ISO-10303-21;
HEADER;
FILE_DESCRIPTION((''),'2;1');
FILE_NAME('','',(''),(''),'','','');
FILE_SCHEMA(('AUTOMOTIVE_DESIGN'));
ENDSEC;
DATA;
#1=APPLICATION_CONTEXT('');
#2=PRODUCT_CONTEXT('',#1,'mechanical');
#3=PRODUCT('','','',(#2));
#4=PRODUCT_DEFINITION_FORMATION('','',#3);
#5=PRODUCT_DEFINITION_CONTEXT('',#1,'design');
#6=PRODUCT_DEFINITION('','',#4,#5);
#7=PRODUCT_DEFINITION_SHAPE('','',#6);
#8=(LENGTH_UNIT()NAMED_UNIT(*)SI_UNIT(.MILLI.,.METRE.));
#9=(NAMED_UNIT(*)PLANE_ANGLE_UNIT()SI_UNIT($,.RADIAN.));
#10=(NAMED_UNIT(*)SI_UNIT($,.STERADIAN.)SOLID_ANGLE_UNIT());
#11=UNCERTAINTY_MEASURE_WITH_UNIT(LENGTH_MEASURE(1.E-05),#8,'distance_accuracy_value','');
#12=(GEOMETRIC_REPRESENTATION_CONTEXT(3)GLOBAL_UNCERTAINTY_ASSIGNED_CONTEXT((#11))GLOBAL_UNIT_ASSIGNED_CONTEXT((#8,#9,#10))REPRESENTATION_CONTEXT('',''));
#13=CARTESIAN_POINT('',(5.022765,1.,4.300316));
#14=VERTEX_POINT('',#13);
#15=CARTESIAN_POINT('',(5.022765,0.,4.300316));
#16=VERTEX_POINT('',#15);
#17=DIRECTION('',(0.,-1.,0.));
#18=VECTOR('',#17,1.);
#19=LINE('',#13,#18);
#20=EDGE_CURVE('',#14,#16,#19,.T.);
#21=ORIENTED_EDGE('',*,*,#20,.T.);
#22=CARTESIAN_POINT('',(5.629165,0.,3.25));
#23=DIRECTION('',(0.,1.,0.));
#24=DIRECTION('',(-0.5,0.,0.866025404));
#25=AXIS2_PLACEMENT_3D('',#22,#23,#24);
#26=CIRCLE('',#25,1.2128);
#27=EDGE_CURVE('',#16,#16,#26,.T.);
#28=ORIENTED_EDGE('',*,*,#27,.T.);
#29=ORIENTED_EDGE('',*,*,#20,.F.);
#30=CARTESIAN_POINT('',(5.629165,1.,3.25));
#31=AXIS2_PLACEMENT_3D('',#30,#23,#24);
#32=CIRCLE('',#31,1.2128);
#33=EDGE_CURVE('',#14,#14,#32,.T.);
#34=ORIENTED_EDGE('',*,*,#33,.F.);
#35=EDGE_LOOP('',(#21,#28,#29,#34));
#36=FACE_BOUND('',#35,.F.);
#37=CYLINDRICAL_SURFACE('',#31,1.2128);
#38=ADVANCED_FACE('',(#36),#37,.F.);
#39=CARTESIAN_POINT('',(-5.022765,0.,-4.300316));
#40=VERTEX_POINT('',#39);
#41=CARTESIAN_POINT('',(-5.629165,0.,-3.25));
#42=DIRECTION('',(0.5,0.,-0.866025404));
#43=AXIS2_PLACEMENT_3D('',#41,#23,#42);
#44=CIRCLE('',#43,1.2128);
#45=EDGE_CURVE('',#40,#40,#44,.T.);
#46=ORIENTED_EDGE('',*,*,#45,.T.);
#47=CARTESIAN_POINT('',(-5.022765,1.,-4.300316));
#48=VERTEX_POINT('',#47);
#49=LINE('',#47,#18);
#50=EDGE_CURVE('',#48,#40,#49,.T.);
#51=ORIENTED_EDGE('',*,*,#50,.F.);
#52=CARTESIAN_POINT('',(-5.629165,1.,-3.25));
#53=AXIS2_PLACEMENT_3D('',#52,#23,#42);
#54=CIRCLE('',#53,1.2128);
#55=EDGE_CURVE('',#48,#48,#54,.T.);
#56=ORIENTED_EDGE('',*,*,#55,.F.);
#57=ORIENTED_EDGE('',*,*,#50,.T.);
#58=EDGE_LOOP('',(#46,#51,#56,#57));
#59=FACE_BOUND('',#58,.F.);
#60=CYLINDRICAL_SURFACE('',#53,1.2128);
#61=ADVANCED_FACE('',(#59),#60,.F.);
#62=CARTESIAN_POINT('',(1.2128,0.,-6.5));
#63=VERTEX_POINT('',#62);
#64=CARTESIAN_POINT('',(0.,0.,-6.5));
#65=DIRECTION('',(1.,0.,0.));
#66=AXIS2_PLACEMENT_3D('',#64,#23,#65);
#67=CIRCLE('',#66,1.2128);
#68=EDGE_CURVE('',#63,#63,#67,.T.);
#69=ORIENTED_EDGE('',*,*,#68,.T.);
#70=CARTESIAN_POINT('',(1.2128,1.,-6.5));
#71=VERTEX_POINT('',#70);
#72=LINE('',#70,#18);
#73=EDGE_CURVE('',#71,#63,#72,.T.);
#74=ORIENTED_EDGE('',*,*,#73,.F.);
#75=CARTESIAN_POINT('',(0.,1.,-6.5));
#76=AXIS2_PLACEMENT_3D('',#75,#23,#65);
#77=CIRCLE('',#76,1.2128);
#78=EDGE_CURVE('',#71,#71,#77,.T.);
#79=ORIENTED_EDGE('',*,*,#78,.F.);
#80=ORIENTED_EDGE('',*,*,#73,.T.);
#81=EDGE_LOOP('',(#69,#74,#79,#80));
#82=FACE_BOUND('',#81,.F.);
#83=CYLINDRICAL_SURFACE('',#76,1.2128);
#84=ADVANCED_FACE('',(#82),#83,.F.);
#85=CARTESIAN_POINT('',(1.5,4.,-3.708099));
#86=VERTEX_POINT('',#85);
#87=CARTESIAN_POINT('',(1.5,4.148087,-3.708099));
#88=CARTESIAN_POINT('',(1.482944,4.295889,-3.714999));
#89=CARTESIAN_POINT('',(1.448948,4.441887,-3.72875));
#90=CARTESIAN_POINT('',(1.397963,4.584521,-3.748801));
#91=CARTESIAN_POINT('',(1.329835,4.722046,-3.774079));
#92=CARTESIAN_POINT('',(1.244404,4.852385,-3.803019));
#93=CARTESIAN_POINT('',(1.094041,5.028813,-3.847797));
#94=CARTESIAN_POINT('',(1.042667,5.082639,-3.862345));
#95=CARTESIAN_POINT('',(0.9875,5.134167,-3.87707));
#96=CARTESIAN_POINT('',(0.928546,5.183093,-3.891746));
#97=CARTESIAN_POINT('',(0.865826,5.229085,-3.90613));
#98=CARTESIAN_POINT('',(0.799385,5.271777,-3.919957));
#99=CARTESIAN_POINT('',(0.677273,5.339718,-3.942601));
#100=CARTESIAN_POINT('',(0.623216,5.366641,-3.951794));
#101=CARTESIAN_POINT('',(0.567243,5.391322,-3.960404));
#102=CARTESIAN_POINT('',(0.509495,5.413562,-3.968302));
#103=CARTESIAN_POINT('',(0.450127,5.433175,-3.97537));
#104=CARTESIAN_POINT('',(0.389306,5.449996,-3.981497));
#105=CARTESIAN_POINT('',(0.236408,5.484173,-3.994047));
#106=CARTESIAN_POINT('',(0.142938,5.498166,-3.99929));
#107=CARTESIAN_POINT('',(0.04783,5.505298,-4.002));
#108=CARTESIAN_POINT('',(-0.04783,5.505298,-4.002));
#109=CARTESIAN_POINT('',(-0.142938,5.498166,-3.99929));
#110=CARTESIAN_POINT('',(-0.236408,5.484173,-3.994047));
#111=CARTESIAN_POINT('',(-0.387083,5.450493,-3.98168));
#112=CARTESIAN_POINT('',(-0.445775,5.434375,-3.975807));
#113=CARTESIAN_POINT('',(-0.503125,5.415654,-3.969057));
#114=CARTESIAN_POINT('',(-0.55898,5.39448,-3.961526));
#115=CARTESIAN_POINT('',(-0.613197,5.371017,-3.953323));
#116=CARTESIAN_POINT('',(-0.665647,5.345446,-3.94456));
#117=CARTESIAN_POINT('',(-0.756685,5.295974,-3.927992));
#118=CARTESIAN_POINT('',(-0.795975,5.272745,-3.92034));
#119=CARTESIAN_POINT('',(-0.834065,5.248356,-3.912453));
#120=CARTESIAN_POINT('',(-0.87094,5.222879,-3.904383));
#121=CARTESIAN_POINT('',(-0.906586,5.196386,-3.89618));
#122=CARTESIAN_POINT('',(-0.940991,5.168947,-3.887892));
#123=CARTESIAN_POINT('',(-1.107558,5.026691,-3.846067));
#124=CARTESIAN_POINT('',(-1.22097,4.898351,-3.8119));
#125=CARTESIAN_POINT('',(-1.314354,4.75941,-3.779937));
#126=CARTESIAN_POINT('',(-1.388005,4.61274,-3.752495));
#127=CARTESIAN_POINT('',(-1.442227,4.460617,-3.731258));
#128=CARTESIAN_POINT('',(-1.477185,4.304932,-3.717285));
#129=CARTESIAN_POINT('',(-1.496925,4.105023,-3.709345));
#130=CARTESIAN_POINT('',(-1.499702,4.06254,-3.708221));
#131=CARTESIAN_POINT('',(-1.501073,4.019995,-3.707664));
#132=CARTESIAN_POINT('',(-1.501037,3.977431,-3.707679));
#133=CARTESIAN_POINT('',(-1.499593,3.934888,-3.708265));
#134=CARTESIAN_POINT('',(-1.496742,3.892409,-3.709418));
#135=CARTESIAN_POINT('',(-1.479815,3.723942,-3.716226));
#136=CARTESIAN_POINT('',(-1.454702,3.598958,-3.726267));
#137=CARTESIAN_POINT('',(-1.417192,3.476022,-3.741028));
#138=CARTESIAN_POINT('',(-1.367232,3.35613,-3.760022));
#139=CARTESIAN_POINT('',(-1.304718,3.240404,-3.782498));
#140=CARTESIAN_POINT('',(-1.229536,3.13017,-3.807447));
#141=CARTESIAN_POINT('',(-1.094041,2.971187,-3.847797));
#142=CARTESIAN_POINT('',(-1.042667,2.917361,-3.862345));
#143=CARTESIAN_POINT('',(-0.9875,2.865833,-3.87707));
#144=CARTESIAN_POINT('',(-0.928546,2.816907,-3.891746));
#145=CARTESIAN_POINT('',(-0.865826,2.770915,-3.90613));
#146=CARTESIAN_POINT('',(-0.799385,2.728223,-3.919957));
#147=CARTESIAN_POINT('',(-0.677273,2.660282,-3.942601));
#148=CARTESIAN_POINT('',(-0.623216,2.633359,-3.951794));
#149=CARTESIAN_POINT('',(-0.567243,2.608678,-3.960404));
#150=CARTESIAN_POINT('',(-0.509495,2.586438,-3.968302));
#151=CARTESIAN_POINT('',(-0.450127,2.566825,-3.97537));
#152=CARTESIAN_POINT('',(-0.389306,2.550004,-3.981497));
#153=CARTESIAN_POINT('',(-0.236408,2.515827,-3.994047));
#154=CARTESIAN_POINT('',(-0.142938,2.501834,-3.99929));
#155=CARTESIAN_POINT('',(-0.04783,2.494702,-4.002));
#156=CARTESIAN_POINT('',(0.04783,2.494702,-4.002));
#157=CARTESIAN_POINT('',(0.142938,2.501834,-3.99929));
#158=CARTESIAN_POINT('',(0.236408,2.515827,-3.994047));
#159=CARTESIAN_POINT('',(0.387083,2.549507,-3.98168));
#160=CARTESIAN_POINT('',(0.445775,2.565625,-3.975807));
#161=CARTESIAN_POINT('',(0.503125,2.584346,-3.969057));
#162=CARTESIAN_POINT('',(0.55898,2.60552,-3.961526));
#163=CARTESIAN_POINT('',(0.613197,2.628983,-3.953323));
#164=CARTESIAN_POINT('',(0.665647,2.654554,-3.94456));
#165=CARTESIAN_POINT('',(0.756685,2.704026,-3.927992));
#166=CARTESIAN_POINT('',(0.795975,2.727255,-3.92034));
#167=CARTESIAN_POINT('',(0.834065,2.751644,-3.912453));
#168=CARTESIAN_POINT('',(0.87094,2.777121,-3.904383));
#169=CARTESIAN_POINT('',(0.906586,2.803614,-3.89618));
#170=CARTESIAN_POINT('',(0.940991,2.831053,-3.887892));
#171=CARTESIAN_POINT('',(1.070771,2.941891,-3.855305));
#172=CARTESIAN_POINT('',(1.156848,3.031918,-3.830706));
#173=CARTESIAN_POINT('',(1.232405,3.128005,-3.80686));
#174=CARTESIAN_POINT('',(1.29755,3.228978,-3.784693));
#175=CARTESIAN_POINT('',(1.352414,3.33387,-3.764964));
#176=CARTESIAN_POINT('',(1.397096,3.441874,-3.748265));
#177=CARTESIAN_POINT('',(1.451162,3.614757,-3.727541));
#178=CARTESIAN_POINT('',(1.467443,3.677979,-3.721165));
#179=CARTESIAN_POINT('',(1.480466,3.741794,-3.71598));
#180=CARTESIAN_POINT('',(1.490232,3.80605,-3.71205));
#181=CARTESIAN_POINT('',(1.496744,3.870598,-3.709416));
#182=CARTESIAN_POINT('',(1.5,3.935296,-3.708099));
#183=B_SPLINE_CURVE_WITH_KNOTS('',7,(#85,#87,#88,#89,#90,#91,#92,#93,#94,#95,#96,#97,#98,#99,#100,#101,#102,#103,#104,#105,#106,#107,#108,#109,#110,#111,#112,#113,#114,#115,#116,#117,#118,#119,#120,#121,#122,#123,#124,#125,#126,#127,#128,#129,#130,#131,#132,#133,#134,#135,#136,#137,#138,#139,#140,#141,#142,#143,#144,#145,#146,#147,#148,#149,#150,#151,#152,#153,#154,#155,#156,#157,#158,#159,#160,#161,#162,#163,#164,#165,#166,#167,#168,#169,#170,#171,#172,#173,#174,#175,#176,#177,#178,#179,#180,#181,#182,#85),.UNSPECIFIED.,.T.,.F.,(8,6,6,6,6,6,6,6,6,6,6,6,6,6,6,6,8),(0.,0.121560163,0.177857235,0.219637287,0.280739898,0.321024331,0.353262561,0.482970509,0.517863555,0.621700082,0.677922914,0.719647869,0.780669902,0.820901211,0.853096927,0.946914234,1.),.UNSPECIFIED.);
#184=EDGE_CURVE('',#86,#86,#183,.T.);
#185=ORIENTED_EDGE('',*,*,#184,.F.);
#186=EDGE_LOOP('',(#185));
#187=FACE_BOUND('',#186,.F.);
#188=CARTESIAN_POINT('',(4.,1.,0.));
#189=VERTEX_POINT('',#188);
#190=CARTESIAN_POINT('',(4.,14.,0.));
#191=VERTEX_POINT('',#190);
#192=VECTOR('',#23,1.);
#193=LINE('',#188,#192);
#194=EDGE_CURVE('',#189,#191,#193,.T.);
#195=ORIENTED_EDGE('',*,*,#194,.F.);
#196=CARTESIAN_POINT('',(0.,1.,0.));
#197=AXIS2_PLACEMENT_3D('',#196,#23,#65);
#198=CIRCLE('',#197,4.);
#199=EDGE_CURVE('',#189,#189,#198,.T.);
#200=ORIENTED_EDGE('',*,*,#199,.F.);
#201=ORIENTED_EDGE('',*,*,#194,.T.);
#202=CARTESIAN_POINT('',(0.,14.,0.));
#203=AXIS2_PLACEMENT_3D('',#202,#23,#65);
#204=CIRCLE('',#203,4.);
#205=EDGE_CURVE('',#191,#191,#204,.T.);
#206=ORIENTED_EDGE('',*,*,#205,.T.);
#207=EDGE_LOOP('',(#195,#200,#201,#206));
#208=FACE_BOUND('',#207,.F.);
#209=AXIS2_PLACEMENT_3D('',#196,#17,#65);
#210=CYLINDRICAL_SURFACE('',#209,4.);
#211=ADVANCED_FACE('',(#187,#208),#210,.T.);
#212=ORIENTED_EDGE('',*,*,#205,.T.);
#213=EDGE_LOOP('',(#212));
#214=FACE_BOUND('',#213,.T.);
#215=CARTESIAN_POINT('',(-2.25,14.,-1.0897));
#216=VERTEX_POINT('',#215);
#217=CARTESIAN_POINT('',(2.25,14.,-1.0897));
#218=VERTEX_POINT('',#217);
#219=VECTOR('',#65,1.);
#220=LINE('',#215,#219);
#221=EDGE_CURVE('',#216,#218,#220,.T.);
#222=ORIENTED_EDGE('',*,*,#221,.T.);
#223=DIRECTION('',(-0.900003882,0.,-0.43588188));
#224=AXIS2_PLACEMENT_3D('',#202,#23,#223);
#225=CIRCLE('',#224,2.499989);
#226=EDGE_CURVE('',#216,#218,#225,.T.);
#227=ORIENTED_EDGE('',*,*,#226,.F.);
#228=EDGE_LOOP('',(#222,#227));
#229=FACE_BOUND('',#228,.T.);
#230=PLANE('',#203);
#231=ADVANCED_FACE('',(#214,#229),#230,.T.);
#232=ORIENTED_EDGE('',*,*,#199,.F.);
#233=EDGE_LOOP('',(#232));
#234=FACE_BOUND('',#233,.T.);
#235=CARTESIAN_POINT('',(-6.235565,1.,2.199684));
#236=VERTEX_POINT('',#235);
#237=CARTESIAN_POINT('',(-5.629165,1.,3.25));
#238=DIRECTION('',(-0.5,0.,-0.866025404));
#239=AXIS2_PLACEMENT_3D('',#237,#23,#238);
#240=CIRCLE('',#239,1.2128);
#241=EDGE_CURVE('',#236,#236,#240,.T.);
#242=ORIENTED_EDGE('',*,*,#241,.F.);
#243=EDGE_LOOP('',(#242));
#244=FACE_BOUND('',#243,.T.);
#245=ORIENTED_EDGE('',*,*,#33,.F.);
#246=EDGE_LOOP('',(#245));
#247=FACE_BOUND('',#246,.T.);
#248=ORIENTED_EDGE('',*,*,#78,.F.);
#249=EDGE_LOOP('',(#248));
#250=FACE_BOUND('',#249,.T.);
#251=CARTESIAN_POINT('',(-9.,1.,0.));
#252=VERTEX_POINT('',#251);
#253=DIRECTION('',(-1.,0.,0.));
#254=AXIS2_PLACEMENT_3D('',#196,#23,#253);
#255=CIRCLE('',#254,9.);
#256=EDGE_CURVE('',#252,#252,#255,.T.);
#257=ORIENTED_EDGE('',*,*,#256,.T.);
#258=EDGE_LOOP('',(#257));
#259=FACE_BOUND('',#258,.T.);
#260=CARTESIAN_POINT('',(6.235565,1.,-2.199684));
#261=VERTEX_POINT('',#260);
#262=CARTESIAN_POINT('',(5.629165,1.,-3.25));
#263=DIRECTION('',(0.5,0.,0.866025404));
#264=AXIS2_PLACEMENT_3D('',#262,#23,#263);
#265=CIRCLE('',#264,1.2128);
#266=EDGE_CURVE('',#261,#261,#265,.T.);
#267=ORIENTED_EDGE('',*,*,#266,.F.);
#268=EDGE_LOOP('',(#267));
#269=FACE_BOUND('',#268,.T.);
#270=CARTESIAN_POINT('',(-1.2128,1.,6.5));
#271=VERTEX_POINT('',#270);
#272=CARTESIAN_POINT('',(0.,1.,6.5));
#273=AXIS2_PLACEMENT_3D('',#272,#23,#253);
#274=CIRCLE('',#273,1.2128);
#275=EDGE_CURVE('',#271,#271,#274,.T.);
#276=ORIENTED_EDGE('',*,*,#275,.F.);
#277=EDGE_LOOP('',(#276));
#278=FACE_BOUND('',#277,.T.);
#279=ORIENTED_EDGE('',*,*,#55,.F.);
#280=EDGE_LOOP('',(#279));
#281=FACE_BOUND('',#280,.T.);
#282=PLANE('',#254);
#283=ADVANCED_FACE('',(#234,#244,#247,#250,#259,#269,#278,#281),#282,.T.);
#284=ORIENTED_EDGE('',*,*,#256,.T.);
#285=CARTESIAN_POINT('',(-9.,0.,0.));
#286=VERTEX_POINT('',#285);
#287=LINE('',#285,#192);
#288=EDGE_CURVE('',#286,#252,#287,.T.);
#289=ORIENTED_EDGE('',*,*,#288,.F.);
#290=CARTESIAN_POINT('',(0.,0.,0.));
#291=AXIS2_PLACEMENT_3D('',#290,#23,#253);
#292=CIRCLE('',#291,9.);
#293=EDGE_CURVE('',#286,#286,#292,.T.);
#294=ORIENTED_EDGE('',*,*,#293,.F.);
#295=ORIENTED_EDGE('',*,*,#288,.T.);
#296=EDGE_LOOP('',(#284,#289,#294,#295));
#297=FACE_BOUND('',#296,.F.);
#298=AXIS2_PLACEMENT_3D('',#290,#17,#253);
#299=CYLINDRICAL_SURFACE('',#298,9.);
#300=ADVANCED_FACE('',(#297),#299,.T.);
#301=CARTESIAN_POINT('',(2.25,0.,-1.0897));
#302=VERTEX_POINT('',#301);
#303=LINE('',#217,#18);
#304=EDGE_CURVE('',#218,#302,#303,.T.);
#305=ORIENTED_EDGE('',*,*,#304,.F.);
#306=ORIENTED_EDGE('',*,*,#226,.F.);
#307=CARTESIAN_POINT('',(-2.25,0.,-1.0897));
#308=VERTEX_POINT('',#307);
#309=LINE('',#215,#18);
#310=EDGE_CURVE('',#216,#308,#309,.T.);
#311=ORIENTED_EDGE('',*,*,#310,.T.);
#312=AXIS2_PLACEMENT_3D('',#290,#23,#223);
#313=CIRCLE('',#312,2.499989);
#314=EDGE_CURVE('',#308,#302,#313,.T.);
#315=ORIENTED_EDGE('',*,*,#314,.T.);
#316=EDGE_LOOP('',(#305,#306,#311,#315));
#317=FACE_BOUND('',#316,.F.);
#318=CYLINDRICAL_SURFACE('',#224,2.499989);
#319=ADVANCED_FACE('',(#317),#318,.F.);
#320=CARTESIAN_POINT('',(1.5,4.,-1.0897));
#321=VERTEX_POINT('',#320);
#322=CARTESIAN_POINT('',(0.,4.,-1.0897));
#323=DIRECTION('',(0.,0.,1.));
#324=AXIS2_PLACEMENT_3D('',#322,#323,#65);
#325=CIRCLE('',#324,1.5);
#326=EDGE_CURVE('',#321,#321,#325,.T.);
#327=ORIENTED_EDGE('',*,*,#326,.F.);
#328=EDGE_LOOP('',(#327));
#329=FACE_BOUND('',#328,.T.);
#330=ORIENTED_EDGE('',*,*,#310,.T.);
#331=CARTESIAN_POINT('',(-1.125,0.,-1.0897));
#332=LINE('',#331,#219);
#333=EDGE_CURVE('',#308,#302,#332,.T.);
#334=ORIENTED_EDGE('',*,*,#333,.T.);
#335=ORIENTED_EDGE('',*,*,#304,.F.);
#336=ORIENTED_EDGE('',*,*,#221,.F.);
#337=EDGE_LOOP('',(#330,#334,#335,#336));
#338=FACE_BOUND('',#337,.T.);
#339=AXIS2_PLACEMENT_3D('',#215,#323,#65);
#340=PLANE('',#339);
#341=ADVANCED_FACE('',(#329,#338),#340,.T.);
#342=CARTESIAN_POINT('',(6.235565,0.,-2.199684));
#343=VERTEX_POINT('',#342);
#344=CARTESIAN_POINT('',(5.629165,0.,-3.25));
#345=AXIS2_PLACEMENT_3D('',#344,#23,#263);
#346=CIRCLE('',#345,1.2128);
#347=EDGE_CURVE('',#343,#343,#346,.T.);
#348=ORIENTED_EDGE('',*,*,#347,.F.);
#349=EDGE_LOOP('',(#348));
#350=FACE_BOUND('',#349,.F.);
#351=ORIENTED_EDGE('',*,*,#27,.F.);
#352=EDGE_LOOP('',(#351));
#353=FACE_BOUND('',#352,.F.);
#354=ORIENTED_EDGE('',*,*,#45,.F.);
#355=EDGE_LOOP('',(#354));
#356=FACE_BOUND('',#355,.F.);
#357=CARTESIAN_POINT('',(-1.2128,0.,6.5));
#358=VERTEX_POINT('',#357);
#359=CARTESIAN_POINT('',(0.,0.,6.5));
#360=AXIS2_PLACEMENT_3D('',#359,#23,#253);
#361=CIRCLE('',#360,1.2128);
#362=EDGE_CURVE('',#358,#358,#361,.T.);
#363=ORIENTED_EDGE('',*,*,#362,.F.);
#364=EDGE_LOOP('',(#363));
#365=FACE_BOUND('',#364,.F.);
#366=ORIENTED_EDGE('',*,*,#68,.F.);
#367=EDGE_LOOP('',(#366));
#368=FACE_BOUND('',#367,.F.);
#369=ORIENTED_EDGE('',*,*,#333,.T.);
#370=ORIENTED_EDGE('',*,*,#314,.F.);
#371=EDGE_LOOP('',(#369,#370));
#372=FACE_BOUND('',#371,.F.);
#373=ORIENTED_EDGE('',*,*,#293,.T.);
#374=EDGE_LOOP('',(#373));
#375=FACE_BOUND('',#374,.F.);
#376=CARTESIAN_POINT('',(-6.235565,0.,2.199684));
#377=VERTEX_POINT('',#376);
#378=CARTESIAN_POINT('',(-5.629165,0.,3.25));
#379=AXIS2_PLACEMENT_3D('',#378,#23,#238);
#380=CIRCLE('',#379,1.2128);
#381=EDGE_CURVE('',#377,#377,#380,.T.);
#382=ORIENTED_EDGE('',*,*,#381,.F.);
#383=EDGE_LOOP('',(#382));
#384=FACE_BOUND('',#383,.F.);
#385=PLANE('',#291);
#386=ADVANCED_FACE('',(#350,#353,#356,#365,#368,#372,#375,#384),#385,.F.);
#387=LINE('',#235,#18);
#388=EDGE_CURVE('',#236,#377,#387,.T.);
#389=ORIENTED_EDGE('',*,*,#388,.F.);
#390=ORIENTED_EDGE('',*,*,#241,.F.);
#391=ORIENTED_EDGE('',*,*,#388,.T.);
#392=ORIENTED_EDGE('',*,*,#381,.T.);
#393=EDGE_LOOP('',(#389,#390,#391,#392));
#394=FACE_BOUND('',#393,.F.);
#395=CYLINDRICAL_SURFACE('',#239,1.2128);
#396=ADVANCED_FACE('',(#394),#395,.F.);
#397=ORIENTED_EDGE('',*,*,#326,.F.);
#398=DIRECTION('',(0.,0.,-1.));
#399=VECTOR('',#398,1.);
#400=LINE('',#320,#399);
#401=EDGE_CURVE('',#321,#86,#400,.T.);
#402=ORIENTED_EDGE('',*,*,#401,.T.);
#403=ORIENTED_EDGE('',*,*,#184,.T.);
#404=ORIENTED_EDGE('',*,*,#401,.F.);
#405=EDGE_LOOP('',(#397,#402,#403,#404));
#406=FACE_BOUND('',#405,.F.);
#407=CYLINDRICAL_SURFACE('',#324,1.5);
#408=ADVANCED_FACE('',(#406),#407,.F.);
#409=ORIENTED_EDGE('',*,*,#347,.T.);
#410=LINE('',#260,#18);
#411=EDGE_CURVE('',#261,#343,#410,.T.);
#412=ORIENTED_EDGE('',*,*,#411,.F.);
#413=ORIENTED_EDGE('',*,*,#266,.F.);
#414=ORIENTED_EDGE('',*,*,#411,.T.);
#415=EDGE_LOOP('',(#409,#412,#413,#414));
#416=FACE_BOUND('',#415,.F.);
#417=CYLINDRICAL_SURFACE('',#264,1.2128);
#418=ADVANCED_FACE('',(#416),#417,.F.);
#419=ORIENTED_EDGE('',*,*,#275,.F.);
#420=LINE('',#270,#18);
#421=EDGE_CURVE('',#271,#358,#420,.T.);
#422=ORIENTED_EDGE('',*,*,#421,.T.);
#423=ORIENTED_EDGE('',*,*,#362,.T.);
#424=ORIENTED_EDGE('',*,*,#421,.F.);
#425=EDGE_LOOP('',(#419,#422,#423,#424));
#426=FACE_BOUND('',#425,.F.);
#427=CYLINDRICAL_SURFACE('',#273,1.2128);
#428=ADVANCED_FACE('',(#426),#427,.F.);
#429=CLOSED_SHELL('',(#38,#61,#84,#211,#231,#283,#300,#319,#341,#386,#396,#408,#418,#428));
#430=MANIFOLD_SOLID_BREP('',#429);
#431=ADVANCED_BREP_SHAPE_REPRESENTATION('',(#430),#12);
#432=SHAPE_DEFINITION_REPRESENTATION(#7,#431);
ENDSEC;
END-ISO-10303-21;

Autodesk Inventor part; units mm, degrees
ref_plane "YZ Plane" through (0, 0, 0) normal (1, 0, 0) x (0, 1, 0)
ref_plane "XZ Plane" through (0, 0, 0) normal (0, 1, 0) x (-1, 0, 0)
ref_plane "XY Plane" through (0, 0, 0) normal (0, 0, 1) x (1, 0, 0)
sketch "Esquisse1" plane through (0, 0, 0) normal (0, 1, 0) x (-1, 0, 0)
  circle A0 centre (0, 0) radius 9
  dimension "d0" = 18
extrude "Extrusion1" add sketch "Esquisse1" along normal blind 1
sketch "Esquisse2" plane through (0, 1, 0) normal (0, 1, 0) x (1, 0, 0)
  circle A0 centre (0, 0) radius 9 projected
  circle A1 centre (0, 0) radius 4
  dimension "d3" = 8
extrude "Extrusion2" add sketch "Esquisse2" along normal blind 13 contours A1
sketch "Esquisse3" plane through (0, 14, 0) normal (0, 1, 0) x (1, 0, 0)
  circle A0 centre (0, 0) radius 4 projected
  arc A1 (-2.25, 1.0897) -> (2.25, 1.0897) centre (0, 0) ccw
  line L0 (-2.25, 1.0897) -> (2.25, 1.0897)
  arc A2 (2.25, 1.0897) -> (-2.25, 1.0897) centre (0, 0) ccw
  dimension "d6" = 5
  dimension "d10" = 4.5
extrude "Extrusion3" cut sketch "Esquisse3" against normal through all contours L0 A1
sketch "Esquisse4" plane through (-2.25, 14, -1.0897) normal (0, 0, 1) x (1, 0, 0)
  line L0 (0, 0) -> (4.5, 0) projected
  line L1 (2.25, -14) -> (2.25, 0) construction
  circle A0 centre (2.25, -10) radius 1.5
  dimension "d11" = 4
  dimension "d12" = 3
extrude "Extrusion4" cut sketch "Esquisse4" against normal up to next
sketch "Esquisse5" plane through (0, 1, 0) normal (0, 1, 0) x (1, 0, 0)
  circle A0 centre (0, 0) radius 4 projected
  circle A1 centre (0, 0) radius 9 projected
  line L0 (0, 0) -> (0, 9) construction
  circle A2 centre (0, 6.5) radius 1.2128
  dimension "d15" = 2.4255
  dimension "d16" = 6.5
extrude "Extrusion5" cut sketch "Esquisse5" against normal up to next contours A2
pattern_circular "Réseau circulaire1" count 6 over 360 about axis through (0, -10, 0) along (0, 1, 0) of "Extrusion5"
thread "Filetage1" size "M3x0.5" class "6H" standard "ANSI Metric M Profile" full length
properties part number "axe_roue_moteur"
